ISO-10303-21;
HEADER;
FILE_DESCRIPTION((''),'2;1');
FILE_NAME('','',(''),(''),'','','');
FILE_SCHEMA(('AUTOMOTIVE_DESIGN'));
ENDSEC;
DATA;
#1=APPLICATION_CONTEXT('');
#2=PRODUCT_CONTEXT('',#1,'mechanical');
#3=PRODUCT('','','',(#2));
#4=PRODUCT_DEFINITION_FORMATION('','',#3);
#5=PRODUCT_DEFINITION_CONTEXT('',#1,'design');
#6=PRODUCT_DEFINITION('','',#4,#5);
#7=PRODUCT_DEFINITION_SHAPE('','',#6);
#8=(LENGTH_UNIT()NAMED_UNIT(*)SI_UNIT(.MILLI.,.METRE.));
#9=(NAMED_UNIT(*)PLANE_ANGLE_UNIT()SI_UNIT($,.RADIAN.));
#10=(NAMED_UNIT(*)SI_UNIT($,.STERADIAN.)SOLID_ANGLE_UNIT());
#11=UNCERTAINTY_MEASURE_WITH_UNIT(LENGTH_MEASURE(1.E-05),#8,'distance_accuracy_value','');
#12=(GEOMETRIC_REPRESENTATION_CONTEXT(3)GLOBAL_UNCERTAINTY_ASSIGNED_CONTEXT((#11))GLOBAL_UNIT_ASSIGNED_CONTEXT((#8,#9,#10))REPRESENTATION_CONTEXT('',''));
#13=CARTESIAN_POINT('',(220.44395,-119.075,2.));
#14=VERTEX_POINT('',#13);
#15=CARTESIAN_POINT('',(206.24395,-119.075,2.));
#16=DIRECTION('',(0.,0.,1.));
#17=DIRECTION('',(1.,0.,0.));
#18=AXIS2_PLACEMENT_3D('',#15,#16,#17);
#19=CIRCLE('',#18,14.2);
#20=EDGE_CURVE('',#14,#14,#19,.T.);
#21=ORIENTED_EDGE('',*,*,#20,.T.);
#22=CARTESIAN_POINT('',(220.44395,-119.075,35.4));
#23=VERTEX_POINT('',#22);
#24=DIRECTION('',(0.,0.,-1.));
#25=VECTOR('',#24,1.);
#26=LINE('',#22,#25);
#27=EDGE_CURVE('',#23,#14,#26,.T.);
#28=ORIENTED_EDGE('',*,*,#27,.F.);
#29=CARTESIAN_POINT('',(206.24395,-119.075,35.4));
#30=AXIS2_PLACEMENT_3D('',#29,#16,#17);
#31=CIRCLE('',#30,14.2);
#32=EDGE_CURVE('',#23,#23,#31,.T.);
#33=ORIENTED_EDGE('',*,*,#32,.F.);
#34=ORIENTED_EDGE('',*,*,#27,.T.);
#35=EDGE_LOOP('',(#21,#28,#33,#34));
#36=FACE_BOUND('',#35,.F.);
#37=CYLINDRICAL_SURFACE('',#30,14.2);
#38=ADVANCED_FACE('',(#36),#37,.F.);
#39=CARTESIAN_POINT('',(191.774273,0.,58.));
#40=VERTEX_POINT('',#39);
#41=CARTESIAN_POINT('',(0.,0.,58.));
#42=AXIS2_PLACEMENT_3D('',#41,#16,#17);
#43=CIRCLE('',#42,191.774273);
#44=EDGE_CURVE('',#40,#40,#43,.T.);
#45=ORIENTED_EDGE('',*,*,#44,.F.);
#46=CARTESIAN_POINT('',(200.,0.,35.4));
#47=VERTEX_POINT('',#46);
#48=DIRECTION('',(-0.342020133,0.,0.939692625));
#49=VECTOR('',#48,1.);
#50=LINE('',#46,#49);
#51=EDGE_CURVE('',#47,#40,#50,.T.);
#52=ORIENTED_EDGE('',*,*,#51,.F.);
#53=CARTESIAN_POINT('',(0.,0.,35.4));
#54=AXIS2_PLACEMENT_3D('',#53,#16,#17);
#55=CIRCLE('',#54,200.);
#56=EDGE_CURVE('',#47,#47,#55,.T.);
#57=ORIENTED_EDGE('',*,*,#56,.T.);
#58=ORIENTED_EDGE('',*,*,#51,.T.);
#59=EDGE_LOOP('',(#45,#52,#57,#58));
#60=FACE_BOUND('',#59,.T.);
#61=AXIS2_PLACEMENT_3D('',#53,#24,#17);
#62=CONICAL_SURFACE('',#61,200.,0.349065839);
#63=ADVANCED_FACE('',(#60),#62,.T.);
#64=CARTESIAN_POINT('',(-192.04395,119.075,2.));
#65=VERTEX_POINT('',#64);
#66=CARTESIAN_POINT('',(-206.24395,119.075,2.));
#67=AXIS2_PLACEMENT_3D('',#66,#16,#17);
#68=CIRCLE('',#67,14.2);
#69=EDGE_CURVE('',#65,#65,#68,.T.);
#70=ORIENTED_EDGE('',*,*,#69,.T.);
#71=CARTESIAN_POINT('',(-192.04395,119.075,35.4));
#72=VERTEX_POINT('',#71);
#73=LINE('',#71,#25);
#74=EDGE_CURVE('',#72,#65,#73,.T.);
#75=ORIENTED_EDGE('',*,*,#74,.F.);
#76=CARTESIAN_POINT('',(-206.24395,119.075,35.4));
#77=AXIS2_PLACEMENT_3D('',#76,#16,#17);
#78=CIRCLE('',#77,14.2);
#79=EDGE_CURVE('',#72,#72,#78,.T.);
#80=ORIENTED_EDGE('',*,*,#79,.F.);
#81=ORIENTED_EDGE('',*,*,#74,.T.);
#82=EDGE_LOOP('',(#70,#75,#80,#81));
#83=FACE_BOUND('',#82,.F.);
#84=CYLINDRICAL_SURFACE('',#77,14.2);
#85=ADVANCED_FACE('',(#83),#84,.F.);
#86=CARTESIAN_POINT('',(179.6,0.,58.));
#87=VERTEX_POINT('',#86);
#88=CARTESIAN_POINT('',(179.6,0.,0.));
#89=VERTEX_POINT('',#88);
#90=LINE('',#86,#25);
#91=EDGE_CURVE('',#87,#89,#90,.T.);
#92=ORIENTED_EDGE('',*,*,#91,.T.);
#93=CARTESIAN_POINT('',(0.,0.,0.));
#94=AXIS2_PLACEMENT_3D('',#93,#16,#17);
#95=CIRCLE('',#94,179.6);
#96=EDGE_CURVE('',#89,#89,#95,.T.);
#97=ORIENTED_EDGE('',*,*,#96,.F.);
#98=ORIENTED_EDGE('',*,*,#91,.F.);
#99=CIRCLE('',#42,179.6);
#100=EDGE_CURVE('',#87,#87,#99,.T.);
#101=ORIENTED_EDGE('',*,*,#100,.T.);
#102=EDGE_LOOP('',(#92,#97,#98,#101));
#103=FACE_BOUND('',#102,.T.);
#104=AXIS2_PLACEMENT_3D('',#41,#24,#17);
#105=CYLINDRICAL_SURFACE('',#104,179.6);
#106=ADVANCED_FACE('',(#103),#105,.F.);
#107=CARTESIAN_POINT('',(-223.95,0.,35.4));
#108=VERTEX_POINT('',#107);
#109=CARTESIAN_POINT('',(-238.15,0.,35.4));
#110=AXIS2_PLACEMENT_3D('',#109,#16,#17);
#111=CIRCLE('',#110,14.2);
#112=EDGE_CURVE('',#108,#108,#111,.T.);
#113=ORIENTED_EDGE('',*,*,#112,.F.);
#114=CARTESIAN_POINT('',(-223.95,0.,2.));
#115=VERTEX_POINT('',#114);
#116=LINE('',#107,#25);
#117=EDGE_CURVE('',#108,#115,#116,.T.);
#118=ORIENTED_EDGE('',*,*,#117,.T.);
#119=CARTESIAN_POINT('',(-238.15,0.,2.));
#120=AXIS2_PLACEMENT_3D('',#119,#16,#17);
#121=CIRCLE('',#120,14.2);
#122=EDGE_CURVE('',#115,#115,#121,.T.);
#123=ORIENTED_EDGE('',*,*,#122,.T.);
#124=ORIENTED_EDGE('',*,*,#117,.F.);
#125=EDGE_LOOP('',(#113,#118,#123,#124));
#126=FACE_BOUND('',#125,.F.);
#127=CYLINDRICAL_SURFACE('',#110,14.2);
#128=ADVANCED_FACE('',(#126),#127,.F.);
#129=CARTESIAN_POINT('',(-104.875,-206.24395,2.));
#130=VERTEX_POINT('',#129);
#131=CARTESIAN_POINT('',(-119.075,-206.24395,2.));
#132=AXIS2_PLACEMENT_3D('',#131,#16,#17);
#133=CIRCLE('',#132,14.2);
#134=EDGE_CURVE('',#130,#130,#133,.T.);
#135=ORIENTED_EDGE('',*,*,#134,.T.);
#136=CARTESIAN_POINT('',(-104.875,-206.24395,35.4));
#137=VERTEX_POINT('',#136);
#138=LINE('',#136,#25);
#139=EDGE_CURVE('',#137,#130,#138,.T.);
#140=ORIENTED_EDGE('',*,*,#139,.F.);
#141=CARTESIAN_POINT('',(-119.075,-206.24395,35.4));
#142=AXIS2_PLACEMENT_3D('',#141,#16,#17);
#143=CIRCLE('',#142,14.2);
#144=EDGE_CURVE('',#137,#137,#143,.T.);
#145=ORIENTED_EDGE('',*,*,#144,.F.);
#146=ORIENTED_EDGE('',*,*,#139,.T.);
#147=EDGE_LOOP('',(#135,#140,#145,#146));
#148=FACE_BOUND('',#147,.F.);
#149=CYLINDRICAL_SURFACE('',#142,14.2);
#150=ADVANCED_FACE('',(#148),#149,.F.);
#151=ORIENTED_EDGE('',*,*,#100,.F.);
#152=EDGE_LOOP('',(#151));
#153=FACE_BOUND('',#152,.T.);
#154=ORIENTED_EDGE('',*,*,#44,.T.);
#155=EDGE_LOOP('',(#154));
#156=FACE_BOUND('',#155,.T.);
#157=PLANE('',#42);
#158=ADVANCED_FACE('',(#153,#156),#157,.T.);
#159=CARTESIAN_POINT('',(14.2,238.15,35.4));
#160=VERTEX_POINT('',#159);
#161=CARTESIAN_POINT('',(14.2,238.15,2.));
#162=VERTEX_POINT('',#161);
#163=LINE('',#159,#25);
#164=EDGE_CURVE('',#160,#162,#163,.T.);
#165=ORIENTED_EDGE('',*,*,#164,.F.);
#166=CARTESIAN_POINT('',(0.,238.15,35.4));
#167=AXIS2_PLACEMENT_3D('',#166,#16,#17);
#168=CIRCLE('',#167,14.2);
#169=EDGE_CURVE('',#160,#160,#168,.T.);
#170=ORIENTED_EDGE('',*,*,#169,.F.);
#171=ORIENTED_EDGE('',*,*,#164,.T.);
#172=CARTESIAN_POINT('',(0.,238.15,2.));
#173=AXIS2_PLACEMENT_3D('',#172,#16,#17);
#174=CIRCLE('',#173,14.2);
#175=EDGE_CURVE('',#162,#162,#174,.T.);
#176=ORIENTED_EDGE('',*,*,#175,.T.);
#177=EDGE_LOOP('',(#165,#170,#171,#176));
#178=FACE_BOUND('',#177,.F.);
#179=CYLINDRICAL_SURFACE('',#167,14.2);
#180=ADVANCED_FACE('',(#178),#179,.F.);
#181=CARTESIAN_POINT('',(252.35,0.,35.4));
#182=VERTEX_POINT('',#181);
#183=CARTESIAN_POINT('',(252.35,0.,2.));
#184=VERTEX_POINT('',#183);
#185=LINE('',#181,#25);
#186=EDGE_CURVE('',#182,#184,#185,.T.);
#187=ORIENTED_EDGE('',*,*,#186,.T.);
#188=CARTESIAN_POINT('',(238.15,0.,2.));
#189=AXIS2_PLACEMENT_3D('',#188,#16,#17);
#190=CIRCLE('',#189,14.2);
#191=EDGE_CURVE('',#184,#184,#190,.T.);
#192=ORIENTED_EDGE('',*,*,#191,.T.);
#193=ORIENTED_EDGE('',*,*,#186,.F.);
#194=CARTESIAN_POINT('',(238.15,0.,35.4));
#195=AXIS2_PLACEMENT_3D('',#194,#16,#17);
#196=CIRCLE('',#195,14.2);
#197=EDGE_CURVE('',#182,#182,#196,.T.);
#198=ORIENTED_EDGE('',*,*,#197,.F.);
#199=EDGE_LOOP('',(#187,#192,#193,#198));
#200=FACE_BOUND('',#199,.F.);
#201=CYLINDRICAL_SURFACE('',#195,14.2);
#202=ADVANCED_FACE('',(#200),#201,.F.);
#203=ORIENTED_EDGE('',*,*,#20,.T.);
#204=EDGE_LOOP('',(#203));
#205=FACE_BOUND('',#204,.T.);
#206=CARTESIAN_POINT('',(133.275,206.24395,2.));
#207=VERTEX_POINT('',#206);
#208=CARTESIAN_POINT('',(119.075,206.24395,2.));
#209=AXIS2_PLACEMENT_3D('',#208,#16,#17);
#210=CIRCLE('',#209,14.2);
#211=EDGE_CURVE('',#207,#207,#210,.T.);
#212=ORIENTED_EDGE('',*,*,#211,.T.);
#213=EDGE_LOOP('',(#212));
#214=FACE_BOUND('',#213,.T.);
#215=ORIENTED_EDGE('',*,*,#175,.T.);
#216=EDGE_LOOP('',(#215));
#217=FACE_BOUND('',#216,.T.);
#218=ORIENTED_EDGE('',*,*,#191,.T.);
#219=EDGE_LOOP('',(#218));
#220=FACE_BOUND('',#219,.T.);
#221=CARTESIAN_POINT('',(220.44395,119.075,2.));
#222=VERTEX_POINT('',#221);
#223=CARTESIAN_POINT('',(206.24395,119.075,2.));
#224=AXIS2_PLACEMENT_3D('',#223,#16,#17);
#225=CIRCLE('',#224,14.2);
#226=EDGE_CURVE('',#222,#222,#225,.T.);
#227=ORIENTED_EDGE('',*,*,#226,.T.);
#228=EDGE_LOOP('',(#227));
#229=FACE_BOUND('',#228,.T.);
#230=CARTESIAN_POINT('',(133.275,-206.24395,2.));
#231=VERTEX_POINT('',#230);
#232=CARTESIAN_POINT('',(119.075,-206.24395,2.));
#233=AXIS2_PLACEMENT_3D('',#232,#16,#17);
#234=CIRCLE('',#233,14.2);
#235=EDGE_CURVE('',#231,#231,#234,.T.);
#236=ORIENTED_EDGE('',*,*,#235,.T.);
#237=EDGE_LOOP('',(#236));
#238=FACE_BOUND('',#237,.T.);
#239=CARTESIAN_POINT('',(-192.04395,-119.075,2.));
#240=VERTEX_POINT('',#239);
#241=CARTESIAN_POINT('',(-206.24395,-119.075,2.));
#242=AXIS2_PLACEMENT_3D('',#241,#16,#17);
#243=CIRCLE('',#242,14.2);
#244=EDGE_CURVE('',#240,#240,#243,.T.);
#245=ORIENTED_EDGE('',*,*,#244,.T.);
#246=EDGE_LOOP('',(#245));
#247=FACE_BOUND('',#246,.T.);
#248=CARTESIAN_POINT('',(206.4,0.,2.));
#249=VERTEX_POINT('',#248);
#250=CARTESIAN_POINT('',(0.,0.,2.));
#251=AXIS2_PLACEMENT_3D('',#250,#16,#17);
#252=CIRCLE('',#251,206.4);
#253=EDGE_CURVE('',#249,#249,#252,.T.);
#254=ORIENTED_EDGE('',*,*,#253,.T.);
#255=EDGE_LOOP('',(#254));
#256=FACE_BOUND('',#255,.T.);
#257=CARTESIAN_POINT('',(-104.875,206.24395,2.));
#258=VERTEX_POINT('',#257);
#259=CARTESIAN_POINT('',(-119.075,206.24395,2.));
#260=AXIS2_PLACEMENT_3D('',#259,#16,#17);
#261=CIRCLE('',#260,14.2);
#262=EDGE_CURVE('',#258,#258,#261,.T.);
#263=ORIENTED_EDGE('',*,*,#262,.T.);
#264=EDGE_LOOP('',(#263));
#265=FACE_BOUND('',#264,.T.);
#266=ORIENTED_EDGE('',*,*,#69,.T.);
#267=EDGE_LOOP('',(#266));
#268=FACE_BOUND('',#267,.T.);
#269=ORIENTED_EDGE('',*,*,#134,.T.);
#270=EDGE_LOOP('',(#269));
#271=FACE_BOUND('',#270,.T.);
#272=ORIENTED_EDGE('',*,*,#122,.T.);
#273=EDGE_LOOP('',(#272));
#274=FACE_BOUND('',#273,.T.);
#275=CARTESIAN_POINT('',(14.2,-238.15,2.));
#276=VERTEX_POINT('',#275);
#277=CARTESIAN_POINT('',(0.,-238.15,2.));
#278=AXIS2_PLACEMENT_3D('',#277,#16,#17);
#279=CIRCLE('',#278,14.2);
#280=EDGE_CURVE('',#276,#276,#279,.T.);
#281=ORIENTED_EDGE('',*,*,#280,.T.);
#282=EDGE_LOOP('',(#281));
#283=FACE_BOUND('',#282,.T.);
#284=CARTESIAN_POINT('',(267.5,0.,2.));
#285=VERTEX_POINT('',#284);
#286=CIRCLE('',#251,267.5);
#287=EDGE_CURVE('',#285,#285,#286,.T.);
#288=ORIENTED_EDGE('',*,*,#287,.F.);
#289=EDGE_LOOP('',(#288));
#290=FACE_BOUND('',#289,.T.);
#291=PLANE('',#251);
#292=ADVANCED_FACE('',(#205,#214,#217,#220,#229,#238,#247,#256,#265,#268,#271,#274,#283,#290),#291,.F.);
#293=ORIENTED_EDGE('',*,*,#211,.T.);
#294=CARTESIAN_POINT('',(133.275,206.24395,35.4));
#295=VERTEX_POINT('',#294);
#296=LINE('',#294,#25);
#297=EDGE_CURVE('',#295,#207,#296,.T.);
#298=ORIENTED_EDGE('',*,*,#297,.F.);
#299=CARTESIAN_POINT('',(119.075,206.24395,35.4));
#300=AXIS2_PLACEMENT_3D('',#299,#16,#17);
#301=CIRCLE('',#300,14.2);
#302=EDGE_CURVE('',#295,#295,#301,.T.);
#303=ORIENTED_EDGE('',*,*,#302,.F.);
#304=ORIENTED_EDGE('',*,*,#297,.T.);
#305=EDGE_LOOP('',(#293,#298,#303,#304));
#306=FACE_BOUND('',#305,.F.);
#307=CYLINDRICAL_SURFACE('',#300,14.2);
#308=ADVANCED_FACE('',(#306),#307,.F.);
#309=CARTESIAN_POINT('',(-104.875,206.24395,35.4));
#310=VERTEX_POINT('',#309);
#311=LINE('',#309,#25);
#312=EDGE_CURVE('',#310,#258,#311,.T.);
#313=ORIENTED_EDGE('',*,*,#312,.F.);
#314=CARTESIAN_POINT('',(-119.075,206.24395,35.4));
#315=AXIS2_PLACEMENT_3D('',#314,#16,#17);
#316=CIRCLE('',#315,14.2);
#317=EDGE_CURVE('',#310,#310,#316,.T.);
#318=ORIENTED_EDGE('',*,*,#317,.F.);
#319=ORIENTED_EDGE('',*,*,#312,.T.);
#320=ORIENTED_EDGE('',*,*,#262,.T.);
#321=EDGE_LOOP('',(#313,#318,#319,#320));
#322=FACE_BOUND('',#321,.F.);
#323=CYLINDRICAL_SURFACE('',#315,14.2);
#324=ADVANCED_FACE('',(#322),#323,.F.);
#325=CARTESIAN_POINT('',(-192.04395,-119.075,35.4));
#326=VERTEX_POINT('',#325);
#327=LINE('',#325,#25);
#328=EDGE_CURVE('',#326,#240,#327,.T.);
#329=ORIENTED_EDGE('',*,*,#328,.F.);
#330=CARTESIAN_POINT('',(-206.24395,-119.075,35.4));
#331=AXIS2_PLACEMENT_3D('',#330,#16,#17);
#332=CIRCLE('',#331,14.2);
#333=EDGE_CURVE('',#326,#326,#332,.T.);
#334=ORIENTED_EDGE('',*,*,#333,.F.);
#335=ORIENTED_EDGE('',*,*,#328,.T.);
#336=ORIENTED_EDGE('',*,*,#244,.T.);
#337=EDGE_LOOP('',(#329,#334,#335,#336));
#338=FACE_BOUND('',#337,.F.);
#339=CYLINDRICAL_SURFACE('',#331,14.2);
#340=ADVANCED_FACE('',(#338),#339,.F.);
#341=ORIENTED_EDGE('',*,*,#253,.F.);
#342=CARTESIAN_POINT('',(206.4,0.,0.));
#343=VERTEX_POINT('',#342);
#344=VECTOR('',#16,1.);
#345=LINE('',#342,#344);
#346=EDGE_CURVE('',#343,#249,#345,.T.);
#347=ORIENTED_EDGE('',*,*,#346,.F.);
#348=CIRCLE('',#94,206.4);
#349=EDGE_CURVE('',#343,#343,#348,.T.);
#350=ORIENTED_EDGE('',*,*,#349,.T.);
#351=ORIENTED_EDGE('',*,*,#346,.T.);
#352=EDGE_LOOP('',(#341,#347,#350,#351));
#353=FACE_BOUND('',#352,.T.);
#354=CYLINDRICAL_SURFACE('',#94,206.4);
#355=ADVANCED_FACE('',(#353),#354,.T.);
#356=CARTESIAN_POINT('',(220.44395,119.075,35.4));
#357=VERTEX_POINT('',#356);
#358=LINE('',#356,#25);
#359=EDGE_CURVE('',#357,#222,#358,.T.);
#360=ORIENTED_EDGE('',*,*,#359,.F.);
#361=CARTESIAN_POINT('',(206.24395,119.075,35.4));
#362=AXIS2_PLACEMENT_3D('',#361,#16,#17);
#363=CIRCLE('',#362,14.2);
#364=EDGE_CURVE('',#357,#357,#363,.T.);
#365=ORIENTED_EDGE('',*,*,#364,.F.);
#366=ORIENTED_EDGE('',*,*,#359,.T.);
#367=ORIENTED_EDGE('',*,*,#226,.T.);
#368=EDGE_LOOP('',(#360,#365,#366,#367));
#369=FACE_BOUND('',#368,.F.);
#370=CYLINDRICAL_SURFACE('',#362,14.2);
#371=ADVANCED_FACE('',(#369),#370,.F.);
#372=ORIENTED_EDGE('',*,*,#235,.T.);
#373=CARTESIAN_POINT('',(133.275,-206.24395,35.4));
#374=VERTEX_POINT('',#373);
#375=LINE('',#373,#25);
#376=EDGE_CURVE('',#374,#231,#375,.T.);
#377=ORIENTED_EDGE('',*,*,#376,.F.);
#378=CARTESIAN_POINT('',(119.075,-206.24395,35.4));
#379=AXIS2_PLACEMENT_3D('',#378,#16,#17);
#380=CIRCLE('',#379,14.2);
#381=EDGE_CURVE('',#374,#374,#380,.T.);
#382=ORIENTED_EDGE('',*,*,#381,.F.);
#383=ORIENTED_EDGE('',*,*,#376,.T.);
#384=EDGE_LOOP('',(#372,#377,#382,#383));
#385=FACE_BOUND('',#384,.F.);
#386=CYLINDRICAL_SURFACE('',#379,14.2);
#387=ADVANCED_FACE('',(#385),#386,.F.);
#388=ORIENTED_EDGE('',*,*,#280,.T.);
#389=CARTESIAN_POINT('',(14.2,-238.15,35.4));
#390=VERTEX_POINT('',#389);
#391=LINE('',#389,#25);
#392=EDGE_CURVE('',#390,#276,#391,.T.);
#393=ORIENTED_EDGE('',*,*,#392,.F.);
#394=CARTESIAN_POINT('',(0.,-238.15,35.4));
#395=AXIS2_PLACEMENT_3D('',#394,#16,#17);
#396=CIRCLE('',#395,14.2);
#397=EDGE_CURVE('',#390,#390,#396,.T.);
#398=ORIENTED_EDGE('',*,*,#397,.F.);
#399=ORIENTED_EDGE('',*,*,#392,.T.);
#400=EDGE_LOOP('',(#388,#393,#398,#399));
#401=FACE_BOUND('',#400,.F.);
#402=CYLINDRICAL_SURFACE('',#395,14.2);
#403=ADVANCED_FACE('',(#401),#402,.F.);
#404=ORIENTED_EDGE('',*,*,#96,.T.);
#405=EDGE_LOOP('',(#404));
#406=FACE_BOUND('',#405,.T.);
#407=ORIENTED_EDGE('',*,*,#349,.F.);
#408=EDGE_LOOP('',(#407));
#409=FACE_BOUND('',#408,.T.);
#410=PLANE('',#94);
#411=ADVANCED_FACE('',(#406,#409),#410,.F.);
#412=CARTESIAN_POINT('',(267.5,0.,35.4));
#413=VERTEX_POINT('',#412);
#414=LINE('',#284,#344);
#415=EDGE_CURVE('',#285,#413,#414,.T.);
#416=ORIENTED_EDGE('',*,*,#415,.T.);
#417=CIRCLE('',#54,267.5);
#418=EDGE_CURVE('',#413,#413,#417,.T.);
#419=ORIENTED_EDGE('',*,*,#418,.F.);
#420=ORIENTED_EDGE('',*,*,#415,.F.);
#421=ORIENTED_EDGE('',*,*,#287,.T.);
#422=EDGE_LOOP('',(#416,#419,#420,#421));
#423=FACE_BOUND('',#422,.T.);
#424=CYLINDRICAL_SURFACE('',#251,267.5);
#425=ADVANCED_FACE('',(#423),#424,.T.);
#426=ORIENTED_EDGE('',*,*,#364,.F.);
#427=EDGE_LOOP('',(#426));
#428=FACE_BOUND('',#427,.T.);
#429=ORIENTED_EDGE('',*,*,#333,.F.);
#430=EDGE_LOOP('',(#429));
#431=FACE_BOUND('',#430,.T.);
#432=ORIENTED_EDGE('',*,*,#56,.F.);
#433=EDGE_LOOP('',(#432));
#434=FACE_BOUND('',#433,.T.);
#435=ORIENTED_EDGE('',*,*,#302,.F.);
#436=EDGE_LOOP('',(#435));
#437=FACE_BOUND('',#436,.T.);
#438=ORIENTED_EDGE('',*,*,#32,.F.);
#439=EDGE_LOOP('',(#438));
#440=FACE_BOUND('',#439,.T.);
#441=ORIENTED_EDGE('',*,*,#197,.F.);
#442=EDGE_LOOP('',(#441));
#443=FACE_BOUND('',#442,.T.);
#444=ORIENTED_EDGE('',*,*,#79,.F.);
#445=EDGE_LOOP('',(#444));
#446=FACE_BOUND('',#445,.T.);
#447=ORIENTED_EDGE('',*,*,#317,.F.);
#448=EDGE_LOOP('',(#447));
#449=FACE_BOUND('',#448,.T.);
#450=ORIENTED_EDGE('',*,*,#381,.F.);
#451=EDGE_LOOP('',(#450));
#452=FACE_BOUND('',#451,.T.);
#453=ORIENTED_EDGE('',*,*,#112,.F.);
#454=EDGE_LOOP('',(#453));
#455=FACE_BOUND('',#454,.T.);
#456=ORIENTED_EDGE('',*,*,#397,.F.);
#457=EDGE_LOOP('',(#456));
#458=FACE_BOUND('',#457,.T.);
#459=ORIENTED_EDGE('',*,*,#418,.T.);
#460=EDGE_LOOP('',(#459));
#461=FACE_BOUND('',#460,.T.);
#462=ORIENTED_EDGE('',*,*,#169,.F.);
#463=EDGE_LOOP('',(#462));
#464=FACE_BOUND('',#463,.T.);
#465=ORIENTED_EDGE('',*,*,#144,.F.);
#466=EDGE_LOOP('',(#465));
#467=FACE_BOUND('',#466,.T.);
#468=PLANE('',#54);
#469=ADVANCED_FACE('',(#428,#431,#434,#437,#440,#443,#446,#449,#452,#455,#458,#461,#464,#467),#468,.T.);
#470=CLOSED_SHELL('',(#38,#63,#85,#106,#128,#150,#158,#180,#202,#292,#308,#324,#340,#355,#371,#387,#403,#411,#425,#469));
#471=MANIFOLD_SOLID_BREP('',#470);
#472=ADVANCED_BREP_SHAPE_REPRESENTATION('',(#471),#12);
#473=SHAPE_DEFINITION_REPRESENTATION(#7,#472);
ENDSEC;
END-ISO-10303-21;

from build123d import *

# Parameters (mm, degrees)
F2_R     = 14.2
F3_DEPTH = 35.401


with BuildPart() as f1:
    # F0 (on Front) → F1 (revolve)
    with BuildSketch(Plane.XZ):
        Polygon((179.6, 58), (179.6, 0), (206.4, 0), (206.4, 2), (267.5, 2), (267.5, 35.4), (200, 35.4), (191.774273, 58), align=None)
    revolve(axis=Axis((0, 0, 29), (0, 0, 1)))

    # F2 (on face) → F3 (cut, through all)
    with BuildSketch(Plane.XY.offset(35.4)):
        with Locations((0, 238.15)):
            Circle(F2_R)
        with Locations((-119.075, 206.24395)):
            Circle(F2_R)
        with Locations((-206.24395, 119.075)):
            Circle(F2_R)
        with Locations((-238.15, 0)):
            Circle(F2_R)
        with Locations((-206.24395, -119.075)):
            Circle(F2_R)
        with Locations((-119.075, -206.24395)):
            Circle(F2_R)
        with Locations((0, -238.15)):
            Circle(F2_R)
        with Locations((119.075, -206.24395)):
            Circle(F2_R)
        with Locations((206.24395, -119.075)):
            Circle(F2_R)
        with Locations((238.15, 0)):
            Circle(F2_R)
        with Locations((206.24395, 119.075)):
            Circle(F2_R)
        with Locations((119.075, 206.24395)):
            Circle(F2_R)
    extrude(amount=-F3_DEPTH, mode=Mode.SUBTRACT)


solid = f1.part
